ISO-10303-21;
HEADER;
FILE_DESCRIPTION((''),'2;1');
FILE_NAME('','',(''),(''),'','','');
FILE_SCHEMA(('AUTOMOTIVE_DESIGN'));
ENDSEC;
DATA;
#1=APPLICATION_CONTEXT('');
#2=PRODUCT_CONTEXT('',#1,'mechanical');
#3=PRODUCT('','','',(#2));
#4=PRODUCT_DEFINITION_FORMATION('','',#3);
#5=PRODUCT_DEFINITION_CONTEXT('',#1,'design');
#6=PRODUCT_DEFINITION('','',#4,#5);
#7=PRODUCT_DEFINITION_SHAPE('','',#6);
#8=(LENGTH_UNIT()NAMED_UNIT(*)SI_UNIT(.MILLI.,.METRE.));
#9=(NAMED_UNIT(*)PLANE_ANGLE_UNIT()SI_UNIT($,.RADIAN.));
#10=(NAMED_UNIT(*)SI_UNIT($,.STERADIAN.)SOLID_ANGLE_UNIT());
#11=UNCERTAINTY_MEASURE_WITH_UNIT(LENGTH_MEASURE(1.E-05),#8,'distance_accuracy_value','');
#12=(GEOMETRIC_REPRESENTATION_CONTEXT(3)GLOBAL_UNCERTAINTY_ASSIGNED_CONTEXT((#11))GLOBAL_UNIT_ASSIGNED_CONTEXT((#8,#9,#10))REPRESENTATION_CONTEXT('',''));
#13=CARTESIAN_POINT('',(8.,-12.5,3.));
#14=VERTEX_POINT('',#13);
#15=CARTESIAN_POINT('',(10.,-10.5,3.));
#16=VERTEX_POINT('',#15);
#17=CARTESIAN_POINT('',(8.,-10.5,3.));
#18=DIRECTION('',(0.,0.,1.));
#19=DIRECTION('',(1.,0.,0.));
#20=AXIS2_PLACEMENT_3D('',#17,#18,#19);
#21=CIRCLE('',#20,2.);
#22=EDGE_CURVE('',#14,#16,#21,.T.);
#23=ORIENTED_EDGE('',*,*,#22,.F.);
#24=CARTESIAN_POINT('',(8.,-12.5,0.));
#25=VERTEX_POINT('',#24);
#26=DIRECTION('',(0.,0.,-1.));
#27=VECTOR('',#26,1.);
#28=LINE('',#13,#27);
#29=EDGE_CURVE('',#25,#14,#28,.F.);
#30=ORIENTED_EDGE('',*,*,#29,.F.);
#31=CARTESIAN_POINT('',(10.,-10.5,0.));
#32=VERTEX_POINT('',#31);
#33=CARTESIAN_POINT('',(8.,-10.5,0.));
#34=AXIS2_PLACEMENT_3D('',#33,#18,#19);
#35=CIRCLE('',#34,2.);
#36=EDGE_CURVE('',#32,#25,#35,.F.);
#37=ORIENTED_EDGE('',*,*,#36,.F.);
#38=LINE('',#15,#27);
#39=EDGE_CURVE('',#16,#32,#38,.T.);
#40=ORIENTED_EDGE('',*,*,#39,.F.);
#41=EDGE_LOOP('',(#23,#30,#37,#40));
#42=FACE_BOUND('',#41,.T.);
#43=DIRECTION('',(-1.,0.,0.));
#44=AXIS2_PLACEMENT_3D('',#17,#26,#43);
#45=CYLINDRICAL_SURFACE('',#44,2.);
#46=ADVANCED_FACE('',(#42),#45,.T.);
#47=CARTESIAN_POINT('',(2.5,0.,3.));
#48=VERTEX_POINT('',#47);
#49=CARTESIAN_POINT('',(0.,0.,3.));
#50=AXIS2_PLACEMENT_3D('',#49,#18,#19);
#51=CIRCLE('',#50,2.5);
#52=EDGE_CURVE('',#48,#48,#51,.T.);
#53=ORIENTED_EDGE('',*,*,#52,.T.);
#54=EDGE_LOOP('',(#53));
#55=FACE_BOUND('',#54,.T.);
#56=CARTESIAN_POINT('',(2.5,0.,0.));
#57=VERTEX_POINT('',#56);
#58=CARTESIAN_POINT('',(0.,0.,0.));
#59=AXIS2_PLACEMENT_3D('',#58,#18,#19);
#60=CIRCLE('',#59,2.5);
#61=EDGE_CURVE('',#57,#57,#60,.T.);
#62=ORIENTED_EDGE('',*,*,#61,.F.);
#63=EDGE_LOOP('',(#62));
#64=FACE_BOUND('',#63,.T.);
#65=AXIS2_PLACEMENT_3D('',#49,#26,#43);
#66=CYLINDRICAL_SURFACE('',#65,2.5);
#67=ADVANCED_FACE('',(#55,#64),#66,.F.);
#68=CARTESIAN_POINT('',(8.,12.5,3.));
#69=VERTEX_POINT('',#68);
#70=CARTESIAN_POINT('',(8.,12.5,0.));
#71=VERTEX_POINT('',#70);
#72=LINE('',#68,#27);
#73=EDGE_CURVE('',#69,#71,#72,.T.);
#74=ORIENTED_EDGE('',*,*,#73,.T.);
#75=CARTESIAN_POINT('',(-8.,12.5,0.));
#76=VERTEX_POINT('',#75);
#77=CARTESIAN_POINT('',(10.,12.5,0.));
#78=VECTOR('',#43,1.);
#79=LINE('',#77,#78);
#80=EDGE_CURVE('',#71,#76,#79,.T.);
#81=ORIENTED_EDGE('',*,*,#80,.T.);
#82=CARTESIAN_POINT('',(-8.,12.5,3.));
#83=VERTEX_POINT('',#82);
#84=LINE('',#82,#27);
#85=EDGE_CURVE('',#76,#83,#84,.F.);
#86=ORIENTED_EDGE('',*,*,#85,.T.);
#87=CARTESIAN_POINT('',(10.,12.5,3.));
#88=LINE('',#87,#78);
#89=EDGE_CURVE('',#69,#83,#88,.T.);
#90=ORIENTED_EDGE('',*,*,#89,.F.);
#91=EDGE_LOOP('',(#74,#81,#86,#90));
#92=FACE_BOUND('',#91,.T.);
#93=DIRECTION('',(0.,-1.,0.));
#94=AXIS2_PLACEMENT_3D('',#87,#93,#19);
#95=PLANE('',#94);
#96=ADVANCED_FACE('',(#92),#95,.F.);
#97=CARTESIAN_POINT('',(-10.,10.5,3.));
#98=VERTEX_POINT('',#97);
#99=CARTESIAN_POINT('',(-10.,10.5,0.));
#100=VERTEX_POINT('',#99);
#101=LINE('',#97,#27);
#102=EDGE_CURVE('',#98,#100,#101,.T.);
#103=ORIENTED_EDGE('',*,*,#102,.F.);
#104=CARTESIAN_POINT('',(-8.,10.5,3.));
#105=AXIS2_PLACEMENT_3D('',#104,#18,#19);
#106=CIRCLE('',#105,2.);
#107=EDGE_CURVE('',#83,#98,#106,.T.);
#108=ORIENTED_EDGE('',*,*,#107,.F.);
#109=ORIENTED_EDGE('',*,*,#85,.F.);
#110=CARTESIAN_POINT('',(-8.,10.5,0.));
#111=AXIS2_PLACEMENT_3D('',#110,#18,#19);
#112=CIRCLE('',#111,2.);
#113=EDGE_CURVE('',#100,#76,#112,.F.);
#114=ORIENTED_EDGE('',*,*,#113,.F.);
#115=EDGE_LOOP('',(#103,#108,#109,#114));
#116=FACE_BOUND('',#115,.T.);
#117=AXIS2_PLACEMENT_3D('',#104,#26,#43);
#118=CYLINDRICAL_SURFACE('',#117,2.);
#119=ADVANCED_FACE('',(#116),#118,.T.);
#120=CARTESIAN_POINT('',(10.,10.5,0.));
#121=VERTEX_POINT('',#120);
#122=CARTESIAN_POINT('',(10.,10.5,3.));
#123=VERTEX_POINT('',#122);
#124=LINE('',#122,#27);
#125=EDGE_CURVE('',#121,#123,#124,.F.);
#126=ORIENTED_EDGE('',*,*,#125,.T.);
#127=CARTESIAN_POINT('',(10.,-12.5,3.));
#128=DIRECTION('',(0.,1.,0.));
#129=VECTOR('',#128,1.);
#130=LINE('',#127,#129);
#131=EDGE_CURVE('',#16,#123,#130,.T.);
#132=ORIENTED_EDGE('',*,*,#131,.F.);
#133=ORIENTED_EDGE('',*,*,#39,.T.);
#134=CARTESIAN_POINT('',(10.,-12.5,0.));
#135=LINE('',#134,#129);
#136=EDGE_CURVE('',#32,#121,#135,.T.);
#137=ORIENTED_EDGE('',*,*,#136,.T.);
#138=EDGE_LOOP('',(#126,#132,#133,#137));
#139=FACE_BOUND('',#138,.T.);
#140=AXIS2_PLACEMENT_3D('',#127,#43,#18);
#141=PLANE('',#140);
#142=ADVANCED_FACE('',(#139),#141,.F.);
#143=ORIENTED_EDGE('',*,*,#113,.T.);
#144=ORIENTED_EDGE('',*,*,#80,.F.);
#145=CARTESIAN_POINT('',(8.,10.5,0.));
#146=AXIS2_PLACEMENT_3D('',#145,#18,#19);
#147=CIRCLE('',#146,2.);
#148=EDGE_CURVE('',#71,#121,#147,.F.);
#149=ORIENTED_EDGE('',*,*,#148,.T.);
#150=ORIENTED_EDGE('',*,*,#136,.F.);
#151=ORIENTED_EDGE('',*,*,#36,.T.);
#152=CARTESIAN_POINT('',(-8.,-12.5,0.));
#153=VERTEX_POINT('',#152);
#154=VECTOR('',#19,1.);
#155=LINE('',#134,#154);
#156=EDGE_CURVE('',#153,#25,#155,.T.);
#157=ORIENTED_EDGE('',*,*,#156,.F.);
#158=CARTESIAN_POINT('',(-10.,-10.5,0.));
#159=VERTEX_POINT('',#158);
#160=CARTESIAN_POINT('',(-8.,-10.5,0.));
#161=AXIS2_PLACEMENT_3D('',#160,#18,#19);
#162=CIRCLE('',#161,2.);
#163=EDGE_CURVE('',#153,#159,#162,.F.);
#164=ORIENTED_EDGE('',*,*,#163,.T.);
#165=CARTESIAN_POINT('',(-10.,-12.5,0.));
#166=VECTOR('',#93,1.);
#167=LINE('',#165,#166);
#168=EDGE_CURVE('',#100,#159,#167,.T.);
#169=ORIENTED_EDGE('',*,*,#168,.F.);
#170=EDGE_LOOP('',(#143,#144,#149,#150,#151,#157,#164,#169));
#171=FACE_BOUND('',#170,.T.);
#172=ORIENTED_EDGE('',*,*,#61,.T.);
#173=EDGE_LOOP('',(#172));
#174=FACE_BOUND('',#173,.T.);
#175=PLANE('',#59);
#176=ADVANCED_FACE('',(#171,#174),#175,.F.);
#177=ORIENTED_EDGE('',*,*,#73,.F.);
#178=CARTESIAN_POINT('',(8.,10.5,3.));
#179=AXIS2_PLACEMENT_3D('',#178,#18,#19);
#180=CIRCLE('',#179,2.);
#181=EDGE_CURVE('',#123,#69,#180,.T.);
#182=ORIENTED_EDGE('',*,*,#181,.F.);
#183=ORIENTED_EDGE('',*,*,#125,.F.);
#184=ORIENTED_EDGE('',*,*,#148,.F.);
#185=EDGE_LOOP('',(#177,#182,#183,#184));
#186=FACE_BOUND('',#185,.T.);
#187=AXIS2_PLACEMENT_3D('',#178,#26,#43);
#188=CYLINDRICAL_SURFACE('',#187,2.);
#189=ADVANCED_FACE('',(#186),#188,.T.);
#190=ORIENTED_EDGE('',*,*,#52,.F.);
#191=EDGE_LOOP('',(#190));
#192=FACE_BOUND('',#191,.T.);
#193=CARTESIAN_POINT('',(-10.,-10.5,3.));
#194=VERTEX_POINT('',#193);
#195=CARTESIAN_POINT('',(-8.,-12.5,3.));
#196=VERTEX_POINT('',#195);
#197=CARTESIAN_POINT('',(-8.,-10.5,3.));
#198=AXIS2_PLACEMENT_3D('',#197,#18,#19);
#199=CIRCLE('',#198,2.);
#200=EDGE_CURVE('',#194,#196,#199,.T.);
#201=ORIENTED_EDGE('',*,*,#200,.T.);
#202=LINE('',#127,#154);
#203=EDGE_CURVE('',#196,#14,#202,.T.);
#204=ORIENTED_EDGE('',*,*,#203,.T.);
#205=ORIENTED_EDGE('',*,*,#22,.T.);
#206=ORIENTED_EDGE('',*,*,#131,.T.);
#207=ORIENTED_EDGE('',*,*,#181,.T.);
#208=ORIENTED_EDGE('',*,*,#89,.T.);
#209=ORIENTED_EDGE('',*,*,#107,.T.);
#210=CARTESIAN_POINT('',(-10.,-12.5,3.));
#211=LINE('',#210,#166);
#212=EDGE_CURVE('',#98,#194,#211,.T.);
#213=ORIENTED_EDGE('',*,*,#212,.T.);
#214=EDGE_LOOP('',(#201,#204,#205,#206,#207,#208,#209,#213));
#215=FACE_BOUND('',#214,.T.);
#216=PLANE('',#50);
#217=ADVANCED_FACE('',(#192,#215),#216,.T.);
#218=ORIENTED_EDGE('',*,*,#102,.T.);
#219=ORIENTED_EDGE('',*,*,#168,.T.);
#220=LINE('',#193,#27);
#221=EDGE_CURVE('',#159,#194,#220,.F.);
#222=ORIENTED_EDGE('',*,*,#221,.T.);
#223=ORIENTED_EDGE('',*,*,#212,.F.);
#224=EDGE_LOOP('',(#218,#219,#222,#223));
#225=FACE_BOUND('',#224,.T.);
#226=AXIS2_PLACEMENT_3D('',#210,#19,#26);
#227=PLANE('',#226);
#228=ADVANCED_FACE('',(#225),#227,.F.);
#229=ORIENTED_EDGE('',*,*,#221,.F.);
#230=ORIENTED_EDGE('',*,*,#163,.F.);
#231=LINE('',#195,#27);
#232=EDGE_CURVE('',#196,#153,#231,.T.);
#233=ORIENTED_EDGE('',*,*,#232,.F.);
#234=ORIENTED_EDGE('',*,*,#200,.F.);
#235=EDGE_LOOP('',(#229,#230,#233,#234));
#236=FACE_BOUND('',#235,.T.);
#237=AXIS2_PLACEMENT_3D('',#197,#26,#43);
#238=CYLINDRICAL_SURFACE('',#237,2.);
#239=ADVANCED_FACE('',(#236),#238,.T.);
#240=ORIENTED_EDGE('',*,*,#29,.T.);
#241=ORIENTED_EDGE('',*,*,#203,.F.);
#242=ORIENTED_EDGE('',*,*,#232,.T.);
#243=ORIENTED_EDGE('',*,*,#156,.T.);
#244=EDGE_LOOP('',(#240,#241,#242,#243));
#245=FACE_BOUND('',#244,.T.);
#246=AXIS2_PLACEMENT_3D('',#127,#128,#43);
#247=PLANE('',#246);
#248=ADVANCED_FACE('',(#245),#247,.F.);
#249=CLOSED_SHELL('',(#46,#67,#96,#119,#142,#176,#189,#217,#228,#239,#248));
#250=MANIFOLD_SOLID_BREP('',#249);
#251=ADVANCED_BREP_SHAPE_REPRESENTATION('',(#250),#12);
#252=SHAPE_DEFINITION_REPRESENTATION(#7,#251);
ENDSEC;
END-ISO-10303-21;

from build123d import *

# Parameters (mm, degrees)
ESQUISSE1_W        = 20
ESQUISSE1_H        = 25
ESQUISSE1_R        = 2.5
BOSS_EXTRU_1_DEPTH = 3
CONG_1_R           = 2


with BuildPart() as part:
    # Esquisse1 → Boss.-Extru.1 (new body)
    with BuildSketch(Plane.XY):
        Rectangle(ESQUISSE1_W, ESQUISSE1_H)
        Circle(ESQUISSE1_R, mode=Mode.SUBTRACT)
    extrude(amount=BOSS_EXTRU_1_DEPTH)

    # Congé1
    cong_1_edges = [part.edges().sort_by_distance(p)[0] for p in [
        (-10, 12.5, 1.5),
        (10, 12.5, 1.5),
        (10, -12.5, 1.5),
        (-10, -12.5, 1.5),
    ]]
    fillet(cong_1_edges, radius=CONG_1_R)


solid = part.part
